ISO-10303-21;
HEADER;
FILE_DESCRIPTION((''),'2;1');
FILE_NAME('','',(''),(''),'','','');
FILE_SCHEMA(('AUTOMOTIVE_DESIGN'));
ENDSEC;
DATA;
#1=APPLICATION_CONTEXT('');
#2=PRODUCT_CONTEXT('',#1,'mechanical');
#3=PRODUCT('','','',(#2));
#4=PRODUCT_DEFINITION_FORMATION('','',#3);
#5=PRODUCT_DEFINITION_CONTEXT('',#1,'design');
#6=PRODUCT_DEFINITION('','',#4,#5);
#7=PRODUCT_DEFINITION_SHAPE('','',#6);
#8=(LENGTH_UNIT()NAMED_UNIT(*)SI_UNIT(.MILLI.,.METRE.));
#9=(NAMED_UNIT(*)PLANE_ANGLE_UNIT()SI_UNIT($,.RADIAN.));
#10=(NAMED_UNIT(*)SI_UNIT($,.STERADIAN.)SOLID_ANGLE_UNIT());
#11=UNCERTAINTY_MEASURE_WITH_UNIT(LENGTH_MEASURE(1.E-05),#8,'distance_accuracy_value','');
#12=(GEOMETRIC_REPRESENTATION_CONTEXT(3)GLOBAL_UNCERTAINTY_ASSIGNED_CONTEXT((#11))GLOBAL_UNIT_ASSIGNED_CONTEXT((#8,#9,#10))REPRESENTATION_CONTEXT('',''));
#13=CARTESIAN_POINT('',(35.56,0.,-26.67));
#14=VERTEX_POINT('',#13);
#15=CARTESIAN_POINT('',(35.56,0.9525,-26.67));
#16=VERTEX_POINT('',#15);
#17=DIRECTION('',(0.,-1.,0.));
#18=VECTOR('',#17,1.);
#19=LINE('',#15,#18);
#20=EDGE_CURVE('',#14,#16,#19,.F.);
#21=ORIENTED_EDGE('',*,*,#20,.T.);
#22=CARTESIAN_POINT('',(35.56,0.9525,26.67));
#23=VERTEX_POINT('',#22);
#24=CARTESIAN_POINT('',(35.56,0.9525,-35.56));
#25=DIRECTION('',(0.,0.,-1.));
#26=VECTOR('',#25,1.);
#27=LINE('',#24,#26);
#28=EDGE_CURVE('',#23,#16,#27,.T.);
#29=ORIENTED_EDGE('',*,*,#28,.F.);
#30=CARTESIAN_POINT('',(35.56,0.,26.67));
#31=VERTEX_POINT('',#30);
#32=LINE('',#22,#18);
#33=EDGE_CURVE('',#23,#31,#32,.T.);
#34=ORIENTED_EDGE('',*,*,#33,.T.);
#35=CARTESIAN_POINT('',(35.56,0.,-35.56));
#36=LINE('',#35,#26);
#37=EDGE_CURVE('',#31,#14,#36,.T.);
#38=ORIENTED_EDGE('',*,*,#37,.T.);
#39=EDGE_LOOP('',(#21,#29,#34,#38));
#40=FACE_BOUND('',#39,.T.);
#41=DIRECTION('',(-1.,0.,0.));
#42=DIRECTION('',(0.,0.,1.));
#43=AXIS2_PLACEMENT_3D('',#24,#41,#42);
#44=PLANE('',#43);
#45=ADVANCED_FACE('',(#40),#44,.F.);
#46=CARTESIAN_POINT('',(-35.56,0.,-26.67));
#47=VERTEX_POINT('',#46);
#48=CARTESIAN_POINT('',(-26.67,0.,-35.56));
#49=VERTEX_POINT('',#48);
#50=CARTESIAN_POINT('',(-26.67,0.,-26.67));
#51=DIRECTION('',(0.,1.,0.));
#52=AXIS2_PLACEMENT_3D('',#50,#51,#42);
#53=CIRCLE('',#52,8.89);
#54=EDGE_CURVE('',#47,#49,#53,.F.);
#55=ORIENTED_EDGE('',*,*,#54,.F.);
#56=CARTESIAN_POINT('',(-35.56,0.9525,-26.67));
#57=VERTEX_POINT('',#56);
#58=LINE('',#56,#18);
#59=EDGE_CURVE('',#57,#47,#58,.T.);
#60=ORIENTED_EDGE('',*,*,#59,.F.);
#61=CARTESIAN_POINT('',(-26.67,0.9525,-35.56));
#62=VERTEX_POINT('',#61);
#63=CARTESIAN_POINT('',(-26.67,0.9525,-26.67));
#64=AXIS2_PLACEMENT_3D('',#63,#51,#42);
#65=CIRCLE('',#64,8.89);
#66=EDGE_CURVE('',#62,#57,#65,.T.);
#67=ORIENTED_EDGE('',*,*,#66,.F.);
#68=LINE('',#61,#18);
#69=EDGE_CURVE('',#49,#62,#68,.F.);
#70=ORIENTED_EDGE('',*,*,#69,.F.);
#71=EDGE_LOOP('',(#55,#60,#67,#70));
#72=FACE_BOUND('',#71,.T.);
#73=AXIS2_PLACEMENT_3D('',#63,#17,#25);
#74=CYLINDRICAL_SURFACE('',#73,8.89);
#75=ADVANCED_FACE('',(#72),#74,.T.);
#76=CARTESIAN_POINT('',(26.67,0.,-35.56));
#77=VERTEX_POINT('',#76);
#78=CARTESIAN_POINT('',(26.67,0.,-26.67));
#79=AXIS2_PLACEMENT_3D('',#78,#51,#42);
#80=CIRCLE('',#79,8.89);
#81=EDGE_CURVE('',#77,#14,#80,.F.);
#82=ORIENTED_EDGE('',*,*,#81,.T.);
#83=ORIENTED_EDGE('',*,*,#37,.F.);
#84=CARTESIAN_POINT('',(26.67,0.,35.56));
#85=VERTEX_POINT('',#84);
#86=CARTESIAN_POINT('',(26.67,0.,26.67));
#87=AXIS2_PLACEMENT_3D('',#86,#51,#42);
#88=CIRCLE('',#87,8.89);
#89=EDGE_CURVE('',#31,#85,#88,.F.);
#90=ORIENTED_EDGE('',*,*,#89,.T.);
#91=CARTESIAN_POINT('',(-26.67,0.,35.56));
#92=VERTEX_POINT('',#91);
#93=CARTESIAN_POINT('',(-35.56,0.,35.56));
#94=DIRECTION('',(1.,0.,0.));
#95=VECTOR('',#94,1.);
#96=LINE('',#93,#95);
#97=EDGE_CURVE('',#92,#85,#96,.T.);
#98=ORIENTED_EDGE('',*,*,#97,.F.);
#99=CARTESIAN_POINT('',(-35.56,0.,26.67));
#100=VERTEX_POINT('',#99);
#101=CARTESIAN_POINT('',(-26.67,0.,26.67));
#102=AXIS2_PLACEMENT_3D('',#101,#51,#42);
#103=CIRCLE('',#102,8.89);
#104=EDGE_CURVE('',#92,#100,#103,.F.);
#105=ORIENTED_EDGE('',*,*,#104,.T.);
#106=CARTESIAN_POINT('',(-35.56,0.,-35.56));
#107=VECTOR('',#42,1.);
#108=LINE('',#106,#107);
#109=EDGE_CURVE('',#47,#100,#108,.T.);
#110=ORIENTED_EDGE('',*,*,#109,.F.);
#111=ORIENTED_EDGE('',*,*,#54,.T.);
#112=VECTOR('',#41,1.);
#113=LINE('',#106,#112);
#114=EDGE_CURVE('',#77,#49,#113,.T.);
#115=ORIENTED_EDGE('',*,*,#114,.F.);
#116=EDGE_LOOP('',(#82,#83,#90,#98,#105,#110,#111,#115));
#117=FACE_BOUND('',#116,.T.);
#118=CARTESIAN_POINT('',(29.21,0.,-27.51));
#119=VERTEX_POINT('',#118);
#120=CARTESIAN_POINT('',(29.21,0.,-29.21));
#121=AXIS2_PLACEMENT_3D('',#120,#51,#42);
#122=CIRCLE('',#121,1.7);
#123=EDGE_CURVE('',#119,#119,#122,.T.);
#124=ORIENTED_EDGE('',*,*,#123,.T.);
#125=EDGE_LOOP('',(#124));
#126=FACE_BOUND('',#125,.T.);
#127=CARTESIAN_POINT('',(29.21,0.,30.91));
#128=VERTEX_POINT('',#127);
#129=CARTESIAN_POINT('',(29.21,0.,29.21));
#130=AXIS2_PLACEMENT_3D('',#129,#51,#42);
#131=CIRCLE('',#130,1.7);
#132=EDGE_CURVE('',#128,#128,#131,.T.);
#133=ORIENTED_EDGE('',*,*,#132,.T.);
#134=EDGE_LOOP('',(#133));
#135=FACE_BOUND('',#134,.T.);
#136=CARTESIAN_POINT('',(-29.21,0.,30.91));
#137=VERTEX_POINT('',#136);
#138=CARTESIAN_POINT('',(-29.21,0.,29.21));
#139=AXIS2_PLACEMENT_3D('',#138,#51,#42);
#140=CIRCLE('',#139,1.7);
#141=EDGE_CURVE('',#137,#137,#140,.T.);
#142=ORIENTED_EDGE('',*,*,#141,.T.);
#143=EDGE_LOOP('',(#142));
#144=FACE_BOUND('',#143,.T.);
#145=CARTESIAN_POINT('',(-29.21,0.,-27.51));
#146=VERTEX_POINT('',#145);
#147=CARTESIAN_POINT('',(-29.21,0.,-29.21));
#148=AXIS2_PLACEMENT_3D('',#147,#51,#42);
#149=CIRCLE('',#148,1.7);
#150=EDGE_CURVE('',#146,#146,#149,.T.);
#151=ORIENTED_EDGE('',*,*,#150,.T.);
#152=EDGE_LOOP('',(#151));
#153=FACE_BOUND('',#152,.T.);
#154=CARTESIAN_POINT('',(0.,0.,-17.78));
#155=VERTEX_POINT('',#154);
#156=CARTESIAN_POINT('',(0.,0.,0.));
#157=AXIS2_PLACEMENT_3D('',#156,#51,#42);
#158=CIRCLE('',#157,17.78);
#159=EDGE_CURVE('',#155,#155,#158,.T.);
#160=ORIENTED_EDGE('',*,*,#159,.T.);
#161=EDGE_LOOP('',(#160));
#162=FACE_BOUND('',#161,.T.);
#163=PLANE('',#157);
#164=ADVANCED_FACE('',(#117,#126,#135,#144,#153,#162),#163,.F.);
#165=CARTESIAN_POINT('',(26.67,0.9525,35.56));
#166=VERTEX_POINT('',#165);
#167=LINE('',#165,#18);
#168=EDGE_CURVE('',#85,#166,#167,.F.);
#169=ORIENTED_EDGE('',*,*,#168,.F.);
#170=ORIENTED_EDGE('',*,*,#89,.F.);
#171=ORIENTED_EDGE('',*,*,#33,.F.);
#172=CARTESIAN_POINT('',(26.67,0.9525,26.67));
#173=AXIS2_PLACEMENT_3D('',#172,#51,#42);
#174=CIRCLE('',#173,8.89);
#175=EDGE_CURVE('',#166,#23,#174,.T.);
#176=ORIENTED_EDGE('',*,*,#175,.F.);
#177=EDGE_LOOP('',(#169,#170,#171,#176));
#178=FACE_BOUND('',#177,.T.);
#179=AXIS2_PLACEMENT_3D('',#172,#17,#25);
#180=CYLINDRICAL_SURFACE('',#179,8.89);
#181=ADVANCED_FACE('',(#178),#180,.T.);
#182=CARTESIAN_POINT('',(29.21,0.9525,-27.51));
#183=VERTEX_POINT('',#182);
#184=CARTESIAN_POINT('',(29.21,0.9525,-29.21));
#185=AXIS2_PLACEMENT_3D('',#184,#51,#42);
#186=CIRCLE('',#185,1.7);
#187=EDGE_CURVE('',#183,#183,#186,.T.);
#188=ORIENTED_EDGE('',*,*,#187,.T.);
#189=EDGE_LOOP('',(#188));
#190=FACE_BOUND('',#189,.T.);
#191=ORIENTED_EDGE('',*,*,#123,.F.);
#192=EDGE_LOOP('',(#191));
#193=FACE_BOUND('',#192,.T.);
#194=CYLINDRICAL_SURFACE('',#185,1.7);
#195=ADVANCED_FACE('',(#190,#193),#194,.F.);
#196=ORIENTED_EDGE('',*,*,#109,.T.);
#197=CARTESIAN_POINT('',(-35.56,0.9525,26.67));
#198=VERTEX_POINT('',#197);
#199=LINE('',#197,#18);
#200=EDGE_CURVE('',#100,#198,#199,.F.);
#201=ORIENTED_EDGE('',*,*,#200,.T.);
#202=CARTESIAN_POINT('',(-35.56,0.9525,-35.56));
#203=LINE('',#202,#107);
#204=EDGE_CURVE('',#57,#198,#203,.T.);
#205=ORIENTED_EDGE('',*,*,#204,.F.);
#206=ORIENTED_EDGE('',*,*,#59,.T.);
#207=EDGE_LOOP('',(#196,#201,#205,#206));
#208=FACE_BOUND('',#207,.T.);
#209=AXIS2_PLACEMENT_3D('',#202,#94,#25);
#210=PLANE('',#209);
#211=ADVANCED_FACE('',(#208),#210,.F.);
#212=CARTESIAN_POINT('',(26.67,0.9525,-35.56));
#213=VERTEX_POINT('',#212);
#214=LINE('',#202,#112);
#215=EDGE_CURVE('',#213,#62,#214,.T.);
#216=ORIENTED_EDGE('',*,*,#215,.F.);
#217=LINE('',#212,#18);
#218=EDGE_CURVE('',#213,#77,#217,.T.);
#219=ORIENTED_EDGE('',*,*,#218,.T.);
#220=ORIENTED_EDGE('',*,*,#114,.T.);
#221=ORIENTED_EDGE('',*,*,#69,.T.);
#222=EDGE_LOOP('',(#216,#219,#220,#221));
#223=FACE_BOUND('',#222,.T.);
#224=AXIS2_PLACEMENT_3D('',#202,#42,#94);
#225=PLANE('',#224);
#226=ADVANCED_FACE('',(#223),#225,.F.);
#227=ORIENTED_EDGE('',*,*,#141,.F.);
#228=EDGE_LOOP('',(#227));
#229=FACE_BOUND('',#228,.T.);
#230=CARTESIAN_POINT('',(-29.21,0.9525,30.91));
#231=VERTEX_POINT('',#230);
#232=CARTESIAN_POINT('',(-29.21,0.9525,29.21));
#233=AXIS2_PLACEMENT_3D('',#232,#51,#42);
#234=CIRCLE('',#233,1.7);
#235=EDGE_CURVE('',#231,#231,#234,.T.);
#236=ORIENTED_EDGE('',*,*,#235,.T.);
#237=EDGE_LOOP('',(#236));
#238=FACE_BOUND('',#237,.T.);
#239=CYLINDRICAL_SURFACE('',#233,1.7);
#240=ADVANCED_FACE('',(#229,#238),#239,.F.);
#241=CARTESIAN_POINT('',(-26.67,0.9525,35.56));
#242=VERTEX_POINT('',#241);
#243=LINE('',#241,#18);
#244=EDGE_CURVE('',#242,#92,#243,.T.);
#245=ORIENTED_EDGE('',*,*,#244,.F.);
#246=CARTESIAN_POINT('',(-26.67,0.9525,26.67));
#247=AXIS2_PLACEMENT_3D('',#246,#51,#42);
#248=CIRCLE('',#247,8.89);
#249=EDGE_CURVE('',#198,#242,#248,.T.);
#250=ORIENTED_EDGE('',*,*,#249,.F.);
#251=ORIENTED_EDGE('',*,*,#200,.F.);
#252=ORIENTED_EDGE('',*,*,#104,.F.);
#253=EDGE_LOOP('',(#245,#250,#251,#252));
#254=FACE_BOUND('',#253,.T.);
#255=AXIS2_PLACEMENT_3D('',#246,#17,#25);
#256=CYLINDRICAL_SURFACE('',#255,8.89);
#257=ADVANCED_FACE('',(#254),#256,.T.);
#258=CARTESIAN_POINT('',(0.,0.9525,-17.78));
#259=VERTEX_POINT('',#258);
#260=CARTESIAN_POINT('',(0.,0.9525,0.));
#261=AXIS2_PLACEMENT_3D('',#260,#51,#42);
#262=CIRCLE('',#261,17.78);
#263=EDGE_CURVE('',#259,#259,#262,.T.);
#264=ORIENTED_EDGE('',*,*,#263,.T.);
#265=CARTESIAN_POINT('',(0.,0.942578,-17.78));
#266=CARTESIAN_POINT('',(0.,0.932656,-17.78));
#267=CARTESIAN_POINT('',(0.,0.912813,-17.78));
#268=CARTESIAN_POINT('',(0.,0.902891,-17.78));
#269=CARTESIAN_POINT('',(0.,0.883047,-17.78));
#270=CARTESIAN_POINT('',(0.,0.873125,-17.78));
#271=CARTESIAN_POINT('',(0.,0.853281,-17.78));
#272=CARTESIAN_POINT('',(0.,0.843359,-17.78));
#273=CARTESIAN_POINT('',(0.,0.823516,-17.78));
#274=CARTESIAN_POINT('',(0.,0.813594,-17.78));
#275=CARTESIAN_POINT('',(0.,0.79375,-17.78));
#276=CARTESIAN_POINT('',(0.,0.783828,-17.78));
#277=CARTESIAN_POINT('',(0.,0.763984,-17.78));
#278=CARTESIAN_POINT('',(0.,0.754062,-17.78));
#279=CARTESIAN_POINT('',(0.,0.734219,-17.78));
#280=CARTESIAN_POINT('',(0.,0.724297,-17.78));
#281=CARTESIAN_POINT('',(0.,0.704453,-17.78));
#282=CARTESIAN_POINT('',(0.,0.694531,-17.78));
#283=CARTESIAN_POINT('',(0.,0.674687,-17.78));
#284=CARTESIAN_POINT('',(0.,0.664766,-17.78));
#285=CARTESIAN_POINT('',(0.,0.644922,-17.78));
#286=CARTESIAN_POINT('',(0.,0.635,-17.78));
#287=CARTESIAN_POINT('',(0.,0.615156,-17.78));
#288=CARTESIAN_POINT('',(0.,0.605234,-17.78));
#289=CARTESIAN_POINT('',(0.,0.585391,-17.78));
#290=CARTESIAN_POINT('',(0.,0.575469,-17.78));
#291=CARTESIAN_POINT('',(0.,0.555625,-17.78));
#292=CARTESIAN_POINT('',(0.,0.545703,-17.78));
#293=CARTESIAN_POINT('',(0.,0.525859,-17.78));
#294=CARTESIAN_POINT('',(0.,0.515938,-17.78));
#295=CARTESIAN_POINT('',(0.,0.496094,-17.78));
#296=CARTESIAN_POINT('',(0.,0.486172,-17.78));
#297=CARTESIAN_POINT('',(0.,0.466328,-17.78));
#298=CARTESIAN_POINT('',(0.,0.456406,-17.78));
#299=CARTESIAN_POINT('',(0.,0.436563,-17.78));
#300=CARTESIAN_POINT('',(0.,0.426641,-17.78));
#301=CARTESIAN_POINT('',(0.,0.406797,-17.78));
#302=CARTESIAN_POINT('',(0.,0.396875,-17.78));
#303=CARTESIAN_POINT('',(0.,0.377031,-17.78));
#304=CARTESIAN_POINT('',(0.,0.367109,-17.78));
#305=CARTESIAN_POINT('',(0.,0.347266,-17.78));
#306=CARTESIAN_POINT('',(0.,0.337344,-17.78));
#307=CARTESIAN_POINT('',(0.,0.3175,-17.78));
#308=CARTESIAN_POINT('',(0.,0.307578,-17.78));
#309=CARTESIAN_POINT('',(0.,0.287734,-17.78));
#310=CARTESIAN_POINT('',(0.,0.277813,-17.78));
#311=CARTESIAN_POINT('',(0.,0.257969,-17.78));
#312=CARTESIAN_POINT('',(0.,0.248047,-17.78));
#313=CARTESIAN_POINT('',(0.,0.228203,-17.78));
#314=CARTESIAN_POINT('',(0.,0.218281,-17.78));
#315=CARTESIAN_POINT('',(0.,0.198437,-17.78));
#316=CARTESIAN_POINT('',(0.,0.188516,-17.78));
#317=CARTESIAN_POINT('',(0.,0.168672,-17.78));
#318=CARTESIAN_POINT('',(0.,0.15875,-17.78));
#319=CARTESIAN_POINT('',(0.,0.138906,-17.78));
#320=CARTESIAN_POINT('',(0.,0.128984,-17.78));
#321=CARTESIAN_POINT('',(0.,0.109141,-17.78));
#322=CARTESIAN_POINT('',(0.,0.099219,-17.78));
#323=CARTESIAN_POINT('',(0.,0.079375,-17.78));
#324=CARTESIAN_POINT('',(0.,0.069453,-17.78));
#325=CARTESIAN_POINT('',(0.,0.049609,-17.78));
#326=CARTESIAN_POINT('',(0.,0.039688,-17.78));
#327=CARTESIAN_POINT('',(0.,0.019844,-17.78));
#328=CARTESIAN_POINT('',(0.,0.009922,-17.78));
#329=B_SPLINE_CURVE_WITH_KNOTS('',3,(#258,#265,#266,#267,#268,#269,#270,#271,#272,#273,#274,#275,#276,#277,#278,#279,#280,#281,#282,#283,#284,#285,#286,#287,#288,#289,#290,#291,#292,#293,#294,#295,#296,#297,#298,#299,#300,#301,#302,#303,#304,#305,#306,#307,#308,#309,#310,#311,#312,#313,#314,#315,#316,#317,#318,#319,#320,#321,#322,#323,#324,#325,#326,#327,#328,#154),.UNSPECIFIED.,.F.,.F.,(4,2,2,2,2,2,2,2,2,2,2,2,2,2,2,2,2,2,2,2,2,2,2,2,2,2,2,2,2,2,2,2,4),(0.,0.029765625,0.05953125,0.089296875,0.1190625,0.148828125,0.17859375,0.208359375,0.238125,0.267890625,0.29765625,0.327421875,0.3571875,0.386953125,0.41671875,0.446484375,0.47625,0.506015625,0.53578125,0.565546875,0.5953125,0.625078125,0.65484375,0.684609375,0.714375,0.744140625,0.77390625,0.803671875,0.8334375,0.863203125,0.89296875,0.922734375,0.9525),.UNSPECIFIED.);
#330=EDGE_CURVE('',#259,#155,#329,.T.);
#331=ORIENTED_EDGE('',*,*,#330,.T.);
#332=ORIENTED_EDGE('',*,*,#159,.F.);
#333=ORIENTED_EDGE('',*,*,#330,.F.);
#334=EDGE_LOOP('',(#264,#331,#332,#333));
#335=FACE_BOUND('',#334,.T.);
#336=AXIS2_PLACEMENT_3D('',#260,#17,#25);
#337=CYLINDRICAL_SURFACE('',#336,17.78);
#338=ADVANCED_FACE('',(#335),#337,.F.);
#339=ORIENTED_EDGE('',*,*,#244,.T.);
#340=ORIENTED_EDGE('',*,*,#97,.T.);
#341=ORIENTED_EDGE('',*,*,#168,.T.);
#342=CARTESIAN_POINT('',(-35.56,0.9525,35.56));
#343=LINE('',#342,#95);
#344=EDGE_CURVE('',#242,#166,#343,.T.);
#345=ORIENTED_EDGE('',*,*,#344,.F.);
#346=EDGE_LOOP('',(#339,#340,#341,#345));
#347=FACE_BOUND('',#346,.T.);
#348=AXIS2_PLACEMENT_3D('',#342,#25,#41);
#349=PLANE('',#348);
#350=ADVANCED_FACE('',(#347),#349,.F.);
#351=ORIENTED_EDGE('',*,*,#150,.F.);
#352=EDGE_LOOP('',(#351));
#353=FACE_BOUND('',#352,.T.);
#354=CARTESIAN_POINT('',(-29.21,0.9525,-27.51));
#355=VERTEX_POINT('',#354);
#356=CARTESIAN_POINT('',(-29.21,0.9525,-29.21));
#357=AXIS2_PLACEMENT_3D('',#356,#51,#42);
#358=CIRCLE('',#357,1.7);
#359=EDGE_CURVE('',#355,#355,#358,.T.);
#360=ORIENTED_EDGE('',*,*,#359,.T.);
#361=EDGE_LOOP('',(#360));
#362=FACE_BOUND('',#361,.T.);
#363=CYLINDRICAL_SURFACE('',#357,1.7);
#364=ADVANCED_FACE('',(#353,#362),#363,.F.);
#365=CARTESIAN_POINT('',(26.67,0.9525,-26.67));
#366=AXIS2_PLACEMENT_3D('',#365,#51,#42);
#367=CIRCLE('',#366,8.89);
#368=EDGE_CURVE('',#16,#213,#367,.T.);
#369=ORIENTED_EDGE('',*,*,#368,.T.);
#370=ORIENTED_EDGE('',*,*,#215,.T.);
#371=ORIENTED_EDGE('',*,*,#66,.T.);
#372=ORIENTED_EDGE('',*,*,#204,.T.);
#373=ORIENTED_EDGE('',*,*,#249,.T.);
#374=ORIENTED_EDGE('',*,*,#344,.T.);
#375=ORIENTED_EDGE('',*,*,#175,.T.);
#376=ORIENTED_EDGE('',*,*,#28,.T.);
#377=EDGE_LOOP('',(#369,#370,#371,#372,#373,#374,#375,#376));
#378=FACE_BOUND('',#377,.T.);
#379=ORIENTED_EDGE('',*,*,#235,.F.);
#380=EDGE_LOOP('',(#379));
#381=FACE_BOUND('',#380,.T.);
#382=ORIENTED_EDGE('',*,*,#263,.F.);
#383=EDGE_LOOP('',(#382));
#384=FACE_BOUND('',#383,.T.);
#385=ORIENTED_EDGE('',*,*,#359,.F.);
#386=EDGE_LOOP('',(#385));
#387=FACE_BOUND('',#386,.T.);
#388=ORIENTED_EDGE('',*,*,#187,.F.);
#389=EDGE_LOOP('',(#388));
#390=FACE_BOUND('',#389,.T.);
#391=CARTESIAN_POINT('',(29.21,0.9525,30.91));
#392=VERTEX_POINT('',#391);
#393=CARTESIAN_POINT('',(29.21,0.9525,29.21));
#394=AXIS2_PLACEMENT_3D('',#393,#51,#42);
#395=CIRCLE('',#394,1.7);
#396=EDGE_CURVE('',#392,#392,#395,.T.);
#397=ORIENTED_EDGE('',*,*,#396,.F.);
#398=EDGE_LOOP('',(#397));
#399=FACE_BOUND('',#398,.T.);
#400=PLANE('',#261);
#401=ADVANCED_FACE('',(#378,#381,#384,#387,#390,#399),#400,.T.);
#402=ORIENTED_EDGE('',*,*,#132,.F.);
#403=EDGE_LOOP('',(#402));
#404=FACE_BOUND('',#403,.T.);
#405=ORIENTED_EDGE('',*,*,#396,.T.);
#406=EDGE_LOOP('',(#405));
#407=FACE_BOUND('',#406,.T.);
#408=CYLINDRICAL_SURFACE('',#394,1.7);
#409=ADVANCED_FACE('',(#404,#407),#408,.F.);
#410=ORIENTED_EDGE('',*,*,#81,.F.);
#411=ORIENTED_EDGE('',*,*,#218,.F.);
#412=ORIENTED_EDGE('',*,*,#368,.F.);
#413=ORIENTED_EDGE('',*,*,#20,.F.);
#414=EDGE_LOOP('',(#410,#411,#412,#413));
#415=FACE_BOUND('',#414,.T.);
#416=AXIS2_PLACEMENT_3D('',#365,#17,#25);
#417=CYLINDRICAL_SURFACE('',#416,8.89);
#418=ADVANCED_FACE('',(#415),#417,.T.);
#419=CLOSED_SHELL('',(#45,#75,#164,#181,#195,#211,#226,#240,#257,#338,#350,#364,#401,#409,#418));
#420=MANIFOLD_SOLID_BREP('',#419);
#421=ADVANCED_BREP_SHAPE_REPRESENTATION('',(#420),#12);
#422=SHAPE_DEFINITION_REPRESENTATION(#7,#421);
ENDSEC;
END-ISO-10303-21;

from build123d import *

# Parameters (mm, degrees)
SKETCH1_W            = 71.12
SKETCH1_H            = 71.12
SKETCH1_R            = 17.78
BOSS_EXTRUDE1_DEPTH  = 0.9525
FILLET1_R            = 8.89
M3_CLEARANCE_HOLE1_D = 3.4


with BuildPart() as part:
    # Sketch1 → Boss-Extrude1 (new body)
    with BuildSketch(Plane(origin=(0, 0, 0), x_dir=(1, 0, 0), z_dir=(0, 1, 0))):
        Rectangle(SKETCH1_W, SKETCH1_H)
        with Locations(Location((0, 0, 0), (0, 0, 90))):
            Circle(SKETCH1_R, mode=Mode.SUBTRACT)
    extrude(amount=BOSS_EXTRUDE1_DEPTH)

    # Fillet1
    fillet1_edges = [part.edges().sort_by_distance(p)[0] for p in [
        (35.56, 0.47625, 35.56),
        (-35.56, 0.47625, 35.56),
        (-35.56, 0.47625, -35.56),
        (35.56, 0.47625, -35.56),
    ]]
    fillet(fillet1_edges, radius=FILLET1_R)

    # M3 Clearance Hole1 (through all)
    with Locations(Plane(origin=(0, 0.9525, 0), x_dir=(1, 0, 0), z_dir=(0, 1, 0))):
        with Locations((-29.21, -29.21), (29.21, -29.21), (29.21, 29.21), (-29.21, 29.21)):
            Hole(M3_CLEARANCE_HOLE1_D / 2)


solid = part.part
